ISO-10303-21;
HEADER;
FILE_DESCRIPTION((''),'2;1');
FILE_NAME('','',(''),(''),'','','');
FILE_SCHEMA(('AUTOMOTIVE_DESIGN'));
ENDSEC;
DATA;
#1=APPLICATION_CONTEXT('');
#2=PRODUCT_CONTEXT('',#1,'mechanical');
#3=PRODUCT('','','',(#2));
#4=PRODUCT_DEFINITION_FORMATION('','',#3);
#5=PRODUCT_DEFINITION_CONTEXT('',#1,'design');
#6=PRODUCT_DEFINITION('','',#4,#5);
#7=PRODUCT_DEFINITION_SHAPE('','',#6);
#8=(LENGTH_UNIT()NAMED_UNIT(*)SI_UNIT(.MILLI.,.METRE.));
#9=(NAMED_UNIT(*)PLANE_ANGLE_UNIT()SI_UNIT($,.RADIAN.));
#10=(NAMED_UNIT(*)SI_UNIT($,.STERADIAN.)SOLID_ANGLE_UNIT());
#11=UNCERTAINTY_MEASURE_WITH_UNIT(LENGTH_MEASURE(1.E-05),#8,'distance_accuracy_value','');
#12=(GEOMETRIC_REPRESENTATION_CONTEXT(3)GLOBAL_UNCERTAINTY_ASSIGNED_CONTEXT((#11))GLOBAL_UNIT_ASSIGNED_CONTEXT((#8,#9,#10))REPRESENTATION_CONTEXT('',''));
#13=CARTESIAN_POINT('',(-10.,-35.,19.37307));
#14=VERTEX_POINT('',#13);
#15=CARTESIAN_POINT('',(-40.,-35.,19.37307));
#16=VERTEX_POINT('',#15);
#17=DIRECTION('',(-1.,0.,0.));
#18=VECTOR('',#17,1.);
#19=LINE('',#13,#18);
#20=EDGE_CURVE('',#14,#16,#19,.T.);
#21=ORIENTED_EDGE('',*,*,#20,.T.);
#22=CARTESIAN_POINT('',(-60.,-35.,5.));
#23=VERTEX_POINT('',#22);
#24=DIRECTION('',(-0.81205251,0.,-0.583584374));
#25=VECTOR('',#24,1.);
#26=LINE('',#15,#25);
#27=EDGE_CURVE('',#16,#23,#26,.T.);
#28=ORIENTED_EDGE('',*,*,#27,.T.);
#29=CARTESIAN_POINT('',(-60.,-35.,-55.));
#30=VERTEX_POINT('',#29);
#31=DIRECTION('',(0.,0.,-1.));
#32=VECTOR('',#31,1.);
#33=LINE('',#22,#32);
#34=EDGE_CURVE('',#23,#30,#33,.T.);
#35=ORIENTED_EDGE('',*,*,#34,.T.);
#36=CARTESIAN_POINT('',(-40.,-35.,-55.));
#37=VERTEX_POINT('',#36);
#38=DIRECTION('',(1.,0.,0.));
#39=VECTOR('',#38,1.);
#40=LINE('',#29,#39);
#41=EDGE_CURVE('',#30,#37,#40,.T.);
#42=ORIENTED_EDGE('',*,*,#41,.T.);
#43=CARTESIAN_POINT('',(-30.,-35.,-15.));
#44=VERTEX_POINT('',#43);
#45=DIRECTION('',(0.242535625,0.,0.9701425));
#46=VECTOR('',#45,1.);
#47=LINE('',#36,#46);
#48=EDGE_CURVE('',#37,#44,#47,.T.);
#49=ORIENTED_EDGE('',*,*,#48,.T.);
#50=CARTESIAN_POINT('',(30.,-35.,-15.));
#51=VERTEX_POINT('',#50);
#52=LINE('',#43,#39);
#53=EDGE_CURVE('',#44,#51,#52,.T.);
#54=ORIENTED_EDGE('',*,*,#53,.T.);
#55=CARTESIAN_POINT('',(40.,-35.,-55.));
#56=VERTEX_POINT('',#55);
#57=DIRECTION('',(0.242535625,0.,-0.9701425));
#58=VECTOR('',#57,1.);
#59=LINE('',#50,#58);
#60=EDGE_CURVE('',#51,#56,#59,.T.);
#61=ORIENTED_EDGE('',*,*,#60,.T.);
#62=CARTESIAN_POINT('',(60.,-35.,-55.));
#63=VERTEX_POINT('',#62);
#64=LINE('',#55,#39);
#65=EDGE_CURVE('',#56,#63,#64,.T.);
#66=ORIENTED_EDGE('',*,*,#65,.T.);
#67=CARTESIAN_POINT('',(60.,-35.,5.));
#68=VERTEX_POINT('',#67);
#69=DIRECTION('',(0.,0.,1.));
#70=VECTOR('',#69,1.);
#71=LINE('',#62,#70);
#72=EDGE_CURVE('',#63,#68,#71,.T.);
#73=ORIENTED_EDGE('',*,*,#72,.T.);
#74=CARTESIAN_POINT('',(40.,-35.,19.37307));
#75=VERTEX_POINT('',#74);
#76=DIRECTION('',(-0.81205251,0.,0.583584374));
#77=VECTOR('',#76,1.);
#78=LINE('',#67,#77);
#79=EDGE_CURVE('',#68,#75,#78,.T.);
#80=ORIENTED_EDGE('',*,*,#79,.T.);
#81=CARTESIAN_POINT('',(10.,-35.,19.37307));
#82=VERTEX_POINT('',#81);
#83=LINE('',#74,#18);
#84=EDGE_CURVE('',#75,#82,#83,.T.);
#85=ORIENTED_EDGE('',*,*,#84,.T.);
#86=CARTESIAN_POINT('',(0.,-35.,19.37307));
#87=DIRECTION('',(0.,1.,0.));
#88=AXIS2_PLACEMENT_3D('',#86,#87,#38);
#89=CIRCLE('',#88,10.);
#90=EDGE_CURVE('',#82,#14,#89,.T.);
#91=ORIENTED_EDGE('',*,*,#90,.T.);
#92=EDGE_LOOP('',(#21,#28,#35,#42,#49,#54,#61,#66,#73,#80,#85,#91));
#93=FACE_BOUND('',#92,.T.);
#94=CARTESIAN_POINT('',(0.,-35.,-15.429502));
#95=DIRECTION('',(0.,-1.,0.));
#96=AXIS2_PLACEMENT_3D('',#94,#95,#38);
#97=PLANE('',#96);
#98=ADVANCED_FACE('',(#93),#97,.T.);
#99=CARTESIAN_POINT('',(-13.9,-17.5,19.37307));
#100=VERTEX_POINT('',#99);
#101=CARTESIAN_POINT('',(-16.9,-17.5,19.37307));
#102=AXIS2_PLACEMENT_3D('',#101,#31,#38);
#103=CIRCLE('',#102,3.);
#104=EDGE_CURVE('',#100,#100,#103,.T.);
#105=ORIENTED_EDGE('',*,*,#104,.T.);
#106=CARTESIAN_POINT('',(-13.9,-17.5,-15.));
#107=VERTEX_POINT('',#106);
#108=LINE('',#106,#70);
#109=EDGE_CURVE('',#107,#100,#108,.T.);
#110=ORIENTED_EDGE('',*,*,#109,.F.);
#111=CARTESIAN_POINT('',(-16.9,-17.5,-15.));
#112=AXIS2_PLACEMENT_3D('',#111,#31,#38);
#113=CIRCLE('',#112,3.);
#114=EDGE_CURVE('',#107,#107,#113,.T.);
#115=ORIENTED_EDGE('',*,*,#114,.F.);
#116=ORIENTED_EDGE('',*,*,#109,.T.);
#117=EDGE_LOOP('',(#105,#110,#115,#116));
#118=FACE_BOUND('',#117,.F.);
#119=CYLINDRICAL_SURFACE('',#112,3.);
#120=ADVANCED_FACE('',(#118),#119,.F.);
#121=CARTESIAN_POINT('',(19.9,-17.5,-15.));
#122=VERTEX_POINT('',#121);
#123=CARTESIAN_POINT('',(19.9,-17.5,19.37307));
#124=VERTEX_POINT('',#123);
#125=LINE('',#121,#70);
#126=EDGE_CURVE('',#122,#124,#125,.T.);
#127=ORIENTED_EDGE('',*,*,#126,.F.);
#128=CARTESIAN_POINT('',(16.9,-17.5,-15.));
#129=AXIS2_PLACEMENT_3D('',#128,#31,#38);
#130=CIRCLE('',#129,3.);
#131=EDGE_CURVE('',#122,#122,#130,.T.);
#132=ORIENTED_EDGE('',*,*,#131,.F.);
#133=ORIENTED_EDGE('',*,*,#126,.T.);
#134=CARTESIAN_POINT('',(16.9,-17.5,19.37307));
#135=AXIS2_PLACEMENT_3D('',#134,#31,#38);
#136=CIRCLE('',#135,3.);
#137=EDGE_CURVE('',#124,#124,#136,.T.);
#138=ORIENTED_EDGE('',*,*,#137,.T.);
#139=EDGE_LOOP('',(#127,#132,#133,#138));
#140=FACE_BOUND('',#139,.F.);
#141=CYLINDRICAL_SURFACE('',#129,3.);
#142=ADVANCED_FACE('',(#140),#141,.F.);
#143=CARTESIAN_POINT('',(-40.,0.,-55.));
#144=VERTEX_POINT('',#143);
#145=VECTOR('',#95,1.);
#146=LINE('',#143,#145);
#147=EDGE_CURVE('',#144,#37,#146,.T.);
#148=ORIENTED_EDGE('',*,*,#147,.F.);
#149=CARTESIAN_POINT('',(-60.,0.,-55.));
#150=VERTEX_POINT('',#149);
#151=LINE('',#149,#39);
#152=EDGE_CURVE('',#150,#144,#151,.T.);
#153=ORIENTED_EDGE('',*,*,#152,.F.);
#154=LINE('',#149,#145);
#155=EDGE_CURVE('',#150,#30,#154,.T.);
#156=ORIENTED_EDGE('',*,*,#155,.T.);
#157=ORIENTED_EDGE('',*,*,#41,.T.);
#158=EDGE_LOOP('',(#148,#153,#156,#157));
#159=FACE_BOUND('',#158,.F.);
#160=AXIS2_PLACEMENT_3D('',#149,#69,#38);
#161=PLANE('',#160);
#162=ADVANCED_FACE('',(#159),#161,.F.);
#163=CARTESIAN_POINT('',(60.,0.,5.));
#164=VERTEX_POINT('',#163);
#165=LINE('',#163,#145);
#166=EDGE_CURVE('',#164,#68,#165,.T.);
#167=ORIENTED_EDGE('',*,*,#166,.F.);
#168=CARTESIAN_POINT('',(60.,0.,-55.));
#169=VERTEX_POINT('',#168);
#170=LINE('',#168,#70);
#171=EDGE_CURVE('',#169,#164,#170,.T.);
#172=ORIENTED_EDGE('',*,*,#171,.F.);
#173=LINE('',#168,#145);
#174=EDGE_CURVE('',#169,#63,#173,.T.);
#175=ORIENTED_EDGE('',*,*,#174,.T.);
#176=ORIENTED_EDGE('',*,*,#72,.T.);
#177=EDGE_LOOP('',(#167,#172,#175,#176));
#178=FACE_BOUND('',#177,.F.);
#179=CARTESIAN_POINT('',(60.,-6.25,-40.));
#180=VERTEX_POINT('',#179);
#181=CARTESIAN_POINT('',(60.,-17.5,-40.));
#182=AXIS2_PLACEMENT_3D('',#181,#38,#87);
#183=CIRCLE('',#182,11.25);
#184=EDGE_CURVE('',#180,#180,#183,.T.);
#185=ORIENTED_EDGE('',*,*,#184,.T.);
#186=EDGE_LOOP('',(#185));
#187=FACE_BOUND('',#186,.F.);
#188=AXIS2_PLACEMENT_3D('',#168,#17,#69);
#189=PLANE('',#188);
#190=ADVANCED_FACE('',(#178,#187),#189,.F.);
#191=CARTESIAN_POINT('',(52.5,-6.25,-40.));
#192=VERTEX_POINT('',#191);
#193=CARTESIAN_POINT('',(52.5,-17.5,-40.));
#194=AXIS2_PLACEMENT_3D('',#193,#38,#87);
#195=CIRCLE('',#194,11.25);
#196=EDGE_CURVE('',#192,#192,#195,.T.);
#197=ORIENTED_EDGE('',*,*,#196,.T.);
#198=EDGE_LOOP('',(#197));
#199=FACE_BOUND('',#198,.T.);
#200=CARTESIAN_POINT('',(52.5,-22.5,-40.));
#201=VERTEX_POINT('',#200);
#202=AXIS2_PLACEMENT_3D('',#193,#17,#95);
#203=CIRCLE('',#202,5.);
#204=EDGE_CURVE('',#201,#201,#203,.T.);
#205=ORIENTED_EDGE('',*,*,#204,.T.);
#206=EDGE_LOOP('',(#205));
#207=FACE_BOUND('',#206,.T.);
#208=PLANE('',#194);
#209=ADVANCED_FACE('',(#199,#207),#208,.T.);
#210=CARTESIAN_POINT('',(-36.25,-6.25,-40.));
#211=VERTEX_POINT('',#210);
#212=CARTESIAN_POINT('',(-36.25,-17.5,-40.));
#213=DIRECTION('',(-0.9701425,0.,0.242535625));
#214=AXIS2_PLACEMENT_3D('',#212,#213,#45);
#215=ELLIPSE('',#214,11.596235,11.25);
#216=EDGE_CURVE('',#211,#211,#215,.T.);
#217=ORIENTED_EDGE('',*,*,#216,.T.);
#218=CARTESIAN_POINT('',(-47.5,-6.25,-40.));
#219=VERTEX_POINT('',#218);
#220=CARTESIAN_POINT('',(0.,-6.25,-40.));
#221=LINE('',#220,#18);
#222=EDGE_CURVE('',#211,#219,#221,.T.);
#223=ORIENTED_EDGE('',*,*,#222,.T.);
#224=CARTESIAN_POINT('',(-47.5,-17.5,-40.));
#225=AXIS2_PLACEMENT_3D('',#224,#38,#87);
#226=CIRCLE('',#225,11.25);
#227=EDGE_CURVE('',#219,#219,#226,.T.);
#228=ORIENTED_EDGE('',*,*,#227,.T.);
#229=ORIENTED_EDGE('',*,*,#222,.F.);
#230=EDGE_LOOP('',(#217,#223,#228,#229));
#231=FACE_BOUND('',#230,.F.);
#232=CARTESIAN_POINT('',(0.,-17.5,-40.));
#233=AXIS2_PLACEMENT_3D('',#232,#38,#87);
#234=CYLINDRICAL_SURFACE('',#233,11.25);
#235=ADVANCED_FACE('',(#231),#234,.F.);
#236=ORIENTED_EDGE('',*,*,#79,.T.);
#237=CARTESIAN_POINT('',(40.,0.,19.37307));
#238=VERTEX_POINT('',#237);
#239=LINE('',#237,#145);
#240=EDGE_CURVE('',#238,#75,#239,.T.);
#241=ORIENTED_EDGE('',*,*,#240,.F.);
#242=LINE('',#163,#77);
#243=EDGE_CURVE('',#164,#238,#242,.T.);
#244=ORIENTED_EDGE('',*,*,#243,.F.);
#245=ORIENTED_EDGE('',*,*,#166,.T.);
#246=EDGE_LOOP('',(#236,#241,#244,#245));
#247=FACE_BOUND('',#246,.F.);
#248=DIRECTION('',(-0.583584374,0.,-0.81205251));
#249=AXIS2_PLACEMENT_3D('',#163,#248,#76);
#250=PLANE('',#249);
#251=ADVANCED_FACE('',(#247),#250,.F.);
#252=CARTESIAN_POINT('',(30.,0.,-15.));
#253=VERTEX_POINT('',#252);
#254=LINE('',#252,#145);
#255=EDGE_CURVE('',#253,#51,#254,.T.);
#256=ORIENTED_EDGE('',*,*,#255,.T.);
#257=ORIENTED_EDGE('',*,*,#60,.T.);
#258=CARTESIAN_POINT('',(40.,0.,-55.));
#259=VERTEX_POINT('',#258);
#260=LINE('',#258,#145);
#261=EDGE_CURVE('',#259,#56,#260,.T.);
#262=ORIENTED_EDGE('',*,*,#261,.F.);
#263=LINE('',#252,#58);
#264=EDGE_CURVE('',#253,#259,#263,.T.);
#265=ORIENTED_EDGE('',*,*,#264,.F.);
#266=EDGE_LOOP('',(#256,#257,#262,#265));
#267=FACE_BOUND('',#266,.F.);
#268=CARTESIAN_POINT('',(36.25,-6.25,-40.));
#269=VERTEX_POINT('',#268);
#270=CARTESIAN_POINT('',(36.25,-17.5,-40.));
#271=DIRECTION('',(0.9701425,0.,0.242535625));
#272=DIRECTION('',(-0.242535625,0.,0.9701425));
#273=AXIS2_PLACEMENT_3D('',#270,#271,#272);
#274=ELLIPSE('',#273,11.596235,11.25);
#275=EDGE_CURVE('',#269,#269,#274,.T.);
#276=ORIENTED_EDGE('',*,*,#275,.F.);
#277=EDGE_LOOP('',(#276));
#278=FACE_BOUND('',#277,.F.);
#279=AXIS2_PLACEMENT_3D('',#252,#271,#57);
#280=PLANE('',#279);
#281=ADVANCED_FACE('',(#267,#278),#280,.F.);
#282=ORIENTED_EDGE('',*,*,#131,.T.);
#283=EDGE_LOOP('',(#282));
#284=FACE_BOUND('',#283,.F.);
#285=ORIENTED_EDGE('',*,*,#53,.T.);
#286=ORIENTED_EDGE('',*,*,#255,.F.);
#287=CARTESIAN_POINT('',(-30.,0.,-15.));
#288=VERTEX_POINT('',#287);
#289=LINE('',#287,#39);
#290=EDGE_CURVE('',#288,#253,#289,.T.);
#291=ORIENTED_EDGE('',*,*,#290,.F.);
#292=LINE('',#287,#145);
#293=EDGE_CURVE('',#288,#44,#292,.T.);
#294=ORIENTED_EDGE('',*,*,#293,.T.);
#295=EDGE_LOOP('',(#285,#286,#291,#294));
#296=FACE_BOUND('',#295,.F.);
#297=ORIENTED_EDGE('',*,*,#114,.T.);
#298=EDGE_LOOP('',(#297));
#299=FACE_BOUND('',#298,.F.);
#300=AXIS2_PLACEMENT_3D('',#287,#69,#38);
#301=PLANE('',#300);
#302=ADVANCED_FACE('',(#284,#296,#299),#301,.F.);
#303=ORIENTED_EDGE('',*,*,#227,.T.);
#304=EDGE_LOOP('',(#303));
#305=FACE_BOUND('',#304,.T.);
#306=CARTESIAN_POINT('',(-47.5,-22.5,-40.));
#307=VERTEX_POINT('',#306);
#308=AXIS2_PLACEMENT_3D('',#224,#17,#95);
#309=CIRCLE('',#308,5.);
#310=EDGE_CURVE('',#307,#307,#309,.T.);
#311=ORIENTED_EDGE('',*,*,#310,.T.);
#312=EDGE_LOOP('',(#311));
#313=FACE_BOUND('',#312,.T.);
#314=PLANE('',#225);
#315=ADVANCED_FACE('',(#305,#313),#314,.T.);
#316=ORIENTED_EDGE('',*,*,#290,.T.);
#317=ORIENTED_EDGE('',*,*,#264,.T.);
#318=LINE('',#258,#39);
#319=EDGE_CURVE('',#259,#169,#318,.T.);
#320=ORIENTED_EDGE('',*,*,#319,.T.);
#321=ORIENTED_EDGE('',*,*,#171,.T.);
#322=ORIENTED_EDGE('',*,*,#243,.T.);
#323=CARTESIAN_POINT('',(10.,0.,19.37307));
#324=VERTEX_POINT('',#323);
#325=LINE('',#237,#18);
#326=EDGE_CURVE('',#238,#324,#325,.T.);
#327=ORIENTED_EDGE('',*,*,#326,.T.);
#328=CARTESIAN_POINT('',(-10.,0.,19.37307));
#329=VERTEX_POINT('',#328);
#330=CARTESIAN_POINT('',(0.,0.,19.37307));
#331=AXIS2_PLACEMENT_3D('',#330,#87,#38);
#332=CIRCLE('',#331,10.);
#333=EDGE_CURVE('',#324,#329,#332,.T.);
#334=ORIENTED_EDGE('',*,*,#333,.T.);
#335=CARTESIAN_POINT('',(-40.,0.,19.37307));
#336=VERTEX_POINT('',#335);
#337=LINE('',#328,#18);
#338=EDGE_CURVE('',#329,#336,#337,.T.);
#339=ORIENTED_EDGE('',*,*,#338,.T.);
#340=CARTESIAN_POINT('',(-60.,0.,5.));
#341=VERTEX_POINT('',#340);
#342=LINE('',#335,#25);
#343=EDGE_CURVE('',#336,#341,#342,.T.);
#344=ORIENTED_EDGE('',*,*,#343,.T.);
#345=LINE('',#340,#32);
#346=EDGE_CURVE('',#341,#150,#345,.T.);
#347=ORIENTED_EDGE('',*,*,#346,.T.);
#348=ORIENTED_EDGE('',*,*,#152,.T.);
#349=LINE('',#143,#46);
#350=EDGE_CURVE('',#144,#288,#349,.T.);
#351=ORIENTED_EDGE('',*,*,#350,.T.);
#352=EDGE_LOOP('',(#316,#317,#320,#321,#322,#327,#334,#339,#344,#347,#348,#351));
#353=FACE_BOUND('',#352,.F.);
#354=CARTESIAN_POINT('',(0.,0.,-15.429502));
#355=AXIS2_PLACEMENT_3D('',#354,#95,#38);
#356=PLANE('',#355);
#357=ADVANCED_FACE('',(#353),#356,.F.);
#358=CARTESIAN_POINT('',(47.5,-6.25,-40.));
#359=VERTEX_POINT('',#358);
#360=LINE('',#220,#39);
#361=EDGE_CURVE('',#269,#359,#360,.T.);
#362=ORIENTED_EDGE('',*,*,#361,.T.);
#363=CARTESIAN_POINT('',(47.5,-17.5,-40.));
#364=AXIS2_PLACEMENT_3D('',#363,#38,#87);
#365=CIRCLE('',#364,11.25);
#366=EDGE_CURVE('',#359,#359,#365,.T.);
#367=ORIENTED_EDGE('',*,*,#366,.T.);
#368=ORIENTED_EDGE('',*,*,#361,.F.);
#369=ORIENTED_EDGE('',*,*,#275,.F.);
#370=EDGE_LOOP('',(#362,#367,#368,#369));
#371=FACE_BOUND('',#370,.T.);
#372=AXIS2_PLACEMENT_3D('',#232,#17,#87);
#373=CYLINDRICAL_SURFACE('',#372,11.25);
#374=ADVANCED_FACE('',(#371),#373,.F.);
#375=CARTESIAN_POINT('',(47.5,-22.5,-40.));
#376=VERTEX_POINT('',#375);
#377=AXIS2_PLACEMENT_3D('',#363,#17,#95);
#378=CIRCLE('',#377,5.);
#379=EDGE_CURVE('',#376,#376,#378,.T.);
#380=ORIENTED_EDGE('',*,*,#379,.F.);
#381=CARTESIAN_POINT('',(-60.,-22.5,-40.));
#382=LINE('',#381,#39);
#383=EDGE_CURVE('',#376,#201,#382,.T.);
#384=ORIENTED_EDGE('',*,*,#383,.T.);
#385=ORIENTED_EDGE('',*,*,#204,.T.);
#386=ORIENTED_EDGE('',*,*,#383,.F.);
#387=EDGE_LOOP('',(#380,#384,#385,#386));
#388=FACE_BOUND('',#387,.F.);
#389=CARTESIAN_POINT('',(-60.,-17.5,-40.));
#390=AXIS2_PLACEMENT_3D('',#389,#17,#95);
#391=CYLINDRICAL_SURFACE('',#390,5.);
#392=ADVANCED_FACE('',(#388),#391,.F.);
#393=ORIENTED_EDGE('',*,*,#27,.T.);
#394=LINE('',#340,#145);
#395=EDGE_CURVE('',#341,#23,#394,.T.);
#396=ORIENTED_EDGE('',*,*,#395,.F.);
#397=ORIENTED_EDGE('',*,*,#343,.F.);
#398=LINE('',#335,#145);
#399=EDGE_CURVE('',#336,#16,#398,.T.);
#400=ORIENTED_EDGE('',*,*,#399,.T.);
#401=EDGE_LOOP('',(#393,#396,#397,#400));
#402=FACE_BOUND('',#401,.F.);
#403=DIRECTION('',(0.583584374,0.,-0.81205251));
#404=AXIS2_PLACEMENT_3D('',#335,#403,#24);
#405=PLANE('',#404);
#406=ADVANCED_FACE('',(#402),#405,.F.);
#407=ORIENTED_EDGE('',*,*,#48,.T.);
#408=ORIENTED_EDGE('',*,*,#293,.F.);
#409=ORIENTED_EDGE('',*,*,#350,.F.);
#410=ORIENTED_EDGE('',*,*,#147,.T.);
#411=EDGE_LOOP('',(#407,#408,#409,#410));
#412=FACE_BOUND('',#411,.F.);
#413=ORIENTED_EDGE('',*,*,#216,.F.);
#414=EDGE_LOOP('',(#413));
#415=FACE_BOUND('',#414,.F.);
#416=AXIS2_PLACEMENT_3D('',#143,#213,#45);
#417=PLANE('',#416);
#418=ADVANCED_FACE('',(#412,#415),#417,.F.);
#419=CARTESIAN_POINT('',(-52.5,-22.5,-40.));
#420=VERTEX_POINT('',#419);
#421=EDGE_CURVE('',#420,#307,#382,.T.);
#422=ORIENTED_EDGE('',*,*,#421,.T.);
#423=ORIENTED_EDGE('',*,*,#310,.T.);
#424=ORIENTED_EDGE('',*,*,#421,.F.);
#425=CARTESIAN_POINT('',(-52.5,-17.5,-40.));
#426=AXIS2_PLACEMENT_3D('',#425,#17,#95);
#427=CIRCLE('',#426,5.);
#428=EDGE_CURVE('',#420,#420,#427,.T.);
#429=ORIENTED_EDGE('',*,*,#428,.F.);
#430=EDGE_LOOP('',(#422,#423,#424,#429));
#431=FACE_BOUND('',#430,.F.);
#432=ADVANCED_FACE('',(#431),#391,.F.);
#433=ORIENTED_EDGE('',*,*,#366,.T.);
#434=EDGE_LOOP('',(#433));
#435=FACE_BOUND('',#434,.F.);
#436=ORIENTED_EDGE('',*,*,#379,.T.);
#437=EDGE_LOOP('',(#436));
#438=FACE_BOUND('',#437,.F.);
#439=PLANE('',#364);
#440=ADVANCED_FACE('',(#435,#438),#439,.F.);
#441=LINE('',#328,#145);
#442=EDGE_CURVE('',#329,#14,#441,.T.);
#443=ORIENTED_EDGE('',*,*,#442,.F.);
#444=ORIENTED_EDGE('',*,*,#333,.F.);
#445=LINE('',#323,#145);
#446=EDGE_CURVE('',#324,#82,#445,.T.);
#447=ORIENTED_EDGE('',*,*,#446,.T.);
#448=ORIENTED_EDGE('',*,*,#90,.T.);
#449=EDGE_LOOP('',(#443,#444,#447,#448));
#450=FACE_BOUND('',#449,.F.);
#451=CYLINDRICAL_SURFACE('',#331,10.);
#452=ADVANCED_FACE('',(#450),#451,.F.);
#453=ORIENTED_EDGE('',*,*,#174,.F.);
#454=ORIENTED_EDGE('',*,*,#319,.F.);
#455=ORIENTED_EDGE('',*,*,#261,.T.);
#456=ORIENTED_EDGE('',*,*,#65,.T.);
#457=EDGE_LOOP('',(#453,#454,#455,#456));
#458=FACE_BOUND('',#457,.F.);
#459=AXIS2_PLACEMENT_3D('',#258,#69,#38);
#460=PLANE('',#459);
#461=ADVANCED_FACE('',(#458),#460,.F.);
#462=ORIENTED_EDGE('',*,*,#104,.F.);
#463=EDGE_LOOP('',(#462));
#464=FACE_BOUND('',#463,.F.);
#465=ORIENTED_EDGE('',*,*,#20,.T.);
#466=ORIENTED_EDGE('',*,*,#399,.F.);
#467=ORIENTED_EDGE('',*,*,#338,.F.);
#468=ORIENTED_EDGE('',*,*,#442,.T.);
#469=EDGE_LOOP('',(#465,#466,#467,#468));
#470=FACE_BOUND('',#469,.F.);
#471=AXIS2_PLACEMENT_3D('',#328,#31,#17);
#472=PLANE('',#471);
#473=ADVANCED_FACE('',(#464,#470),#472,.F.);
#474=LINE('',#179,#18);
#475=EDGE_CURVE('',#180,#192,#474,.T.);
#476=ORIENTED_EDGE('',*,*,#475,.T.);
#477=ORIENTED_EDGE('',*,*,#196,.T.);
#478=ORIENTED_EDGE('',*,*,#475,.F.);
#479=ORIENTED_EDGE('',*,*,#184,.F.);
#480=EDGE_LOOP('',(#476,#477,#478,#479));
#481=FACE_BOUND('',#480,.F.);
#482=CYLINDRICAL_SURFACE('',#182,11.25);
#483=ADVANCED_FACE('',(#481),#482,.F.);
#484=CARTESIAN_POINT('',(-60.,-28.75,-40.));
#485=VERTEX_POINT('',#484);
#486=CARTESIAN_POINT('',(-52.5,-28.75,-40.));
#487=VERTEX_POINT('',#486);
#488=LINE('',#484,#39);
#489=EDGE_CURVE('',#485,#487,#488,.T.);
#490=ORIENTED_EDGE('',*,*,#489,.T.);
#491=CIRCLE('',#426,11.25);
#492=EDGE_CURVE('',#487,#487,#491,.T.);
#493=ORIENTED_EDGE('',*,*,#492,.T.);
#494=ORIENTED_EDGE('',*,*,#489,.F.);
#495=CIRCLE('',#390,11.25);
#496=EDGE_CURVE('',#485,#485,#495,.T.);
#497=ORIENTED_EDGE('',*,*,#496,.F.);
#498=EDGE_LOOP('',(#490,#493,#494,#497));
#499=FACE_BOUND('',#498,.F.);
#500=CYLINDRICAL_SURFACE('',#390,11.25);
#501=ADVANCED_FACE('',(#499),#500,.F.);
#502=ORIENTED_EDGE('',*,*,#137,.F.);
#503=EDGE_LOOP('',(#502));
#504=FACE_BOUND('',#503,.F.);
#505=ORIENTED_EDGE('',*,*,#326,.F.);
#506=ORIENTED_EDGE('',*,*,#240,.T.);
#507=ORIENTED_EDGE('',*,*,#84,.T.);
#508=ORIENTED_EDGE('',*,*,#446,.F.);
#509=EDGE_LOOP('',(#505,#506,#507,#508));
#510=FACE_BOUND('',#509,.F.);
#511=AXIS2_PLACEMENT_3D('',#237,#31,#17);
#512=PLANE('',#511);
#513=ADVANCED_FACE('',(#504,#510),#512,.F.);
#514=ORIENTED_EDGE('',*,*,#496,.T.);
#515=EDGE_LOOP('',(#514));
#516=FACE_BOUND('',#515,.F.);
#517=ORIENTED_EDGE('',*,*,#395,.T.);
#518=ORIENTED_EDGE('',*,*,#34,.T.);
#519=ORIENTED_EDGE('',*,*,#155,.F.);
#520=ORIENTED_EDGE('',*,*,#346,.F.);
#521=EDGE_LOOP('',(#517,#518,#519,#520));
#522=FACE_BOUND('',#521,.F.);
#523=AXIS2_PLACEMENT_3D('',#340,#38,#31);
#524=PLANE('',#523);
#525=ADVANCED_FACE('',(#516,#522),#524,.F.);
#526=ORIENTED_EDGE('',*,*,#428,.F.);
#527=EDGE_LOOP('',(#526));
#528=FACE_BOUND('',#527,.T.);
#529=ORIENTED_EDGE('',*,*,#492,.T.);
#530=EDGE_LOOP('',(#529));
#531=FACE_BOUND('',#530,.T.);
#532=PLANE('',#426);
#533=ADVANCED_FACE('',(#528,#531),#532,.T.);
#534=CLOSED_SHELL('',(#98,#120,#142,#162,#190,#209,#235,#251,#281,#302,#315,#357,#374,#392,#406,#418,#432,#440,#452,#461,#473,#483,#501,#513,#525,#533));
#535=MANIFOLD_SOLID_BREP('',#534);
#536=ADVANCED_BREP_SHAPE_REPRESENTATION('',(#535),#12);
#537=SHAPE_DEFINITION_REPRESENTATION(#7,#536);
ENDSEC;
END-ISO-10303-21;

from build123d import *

# Parameters (mm, degrees)
F1_DEPTH  = 35
F2_R      = 3
F3_DEPTH  = 34.3740698971
F4_R      = 5
F5_DEPTH  = 120.001
F6_R      = 11.25
F7_DEPTH  = 7.5
F8_R      = 11.25
F9_DEPTH  = 7.5
F10_R     = 11.25
F11_DEPTH = 47.5
F12_R     = 11.25
F13_DEPTH = 47.5


with BuildPart() as f1:
    # F0 (on Front) → F1 (new body)
    with BuildSketch(Plane.XZ):
        with BuildLine():
            Line((-40, 19.3730698971), (-60, 5))
            Line((-60, 5), (-60, 0))
            Line((-60, 0), (-60, -55))
            Line((-60, -55), (-40, -55))
            Line((-40, -55), (-30, -15))
            Line((-30, -15), (0, -15))
            Line((0, -15), (30, -15))
            Line((30, -15), (40, -55))
            Line((40, -55), (60, -55))
            Line((60, -55), (60, 0))
            Line((60, 0), (60, 5))
            Line((60, 5), (40, 19.3730698971))
            Line((40, 19.3730698971), (10, 19.3730698971))
            ThreePointArc((10, 19.3730698971), (0, 9.3730698971), (-10, 19.3730698971))
            Line((-10, 19.3730698971), (-40, 19.3730698971))
        make_face()
    extrude(amount=F1_DEPTH)

    # F2 (on face) → F3 (cut, through all)
    with BuildSketch(Plane(origin=(0, 0, -15), x_dir=(1, 0, 0), z_dir=(0, 0, -1))):
        with Locations((-16.9, 17.5)):
            Circle(F2_R)
        with Locations((16.9, 17.5)):
            Circle(F2_R)
    extrude(amount=-F3_DEPTH, mode=Mode.SUBTRACT)

    # F4 (on face) → F5 (cut, through all)
    with BuildSketch(Plane(origin=(-60, 0, 0), x_dir=(0, -1, 0), z_dir=(-1, 0, 0))):
        with Locations((17.5, -40)):
            Circle(F4_R)
    extrude(amount=-F5_DEPTH, mode=Mode.SUBTRACT)

    # F6 (on face) → F7 (cut)
    with BuildSketch(Plane(origin=(-60, 0, 0), x_dir=(0, -1, 0), z_dir=(-1, 0, 0))):
        with Locations((17.5, -40)):
            Circle(F6_R)
    extrude(amount=-F7_DEPTH, mode=Mode.SUBTRACT)

    # F8 (on face) → F9 (cut)
    with BuildSketch(Plane.YZ.offset(60)):
        with Locations((-17.5, -40)):
            Circle(F8_R)
    extrude(amount=-F9_DEPTH, mode=Mode.SUBTRACT)

    # F10 (on Right) → F11 (cut)
    with BuildSketch(Plane.YZ):
        with Locations((-17.5, -40)):
            Circle(F10_R)
    extrude(amount=-F11_DEPTH, mode=Mode.SUBTRACT)

    # F12 (on Right) → F13 (cut)
    with BuildSketch(Plane.YZ):
        with Locations((-17.5, -40)):
            Circle(F12_R)
    extrude(amount=F13_DEPTH, mode=Mode.SUBTRACT)


solid = f1.part
